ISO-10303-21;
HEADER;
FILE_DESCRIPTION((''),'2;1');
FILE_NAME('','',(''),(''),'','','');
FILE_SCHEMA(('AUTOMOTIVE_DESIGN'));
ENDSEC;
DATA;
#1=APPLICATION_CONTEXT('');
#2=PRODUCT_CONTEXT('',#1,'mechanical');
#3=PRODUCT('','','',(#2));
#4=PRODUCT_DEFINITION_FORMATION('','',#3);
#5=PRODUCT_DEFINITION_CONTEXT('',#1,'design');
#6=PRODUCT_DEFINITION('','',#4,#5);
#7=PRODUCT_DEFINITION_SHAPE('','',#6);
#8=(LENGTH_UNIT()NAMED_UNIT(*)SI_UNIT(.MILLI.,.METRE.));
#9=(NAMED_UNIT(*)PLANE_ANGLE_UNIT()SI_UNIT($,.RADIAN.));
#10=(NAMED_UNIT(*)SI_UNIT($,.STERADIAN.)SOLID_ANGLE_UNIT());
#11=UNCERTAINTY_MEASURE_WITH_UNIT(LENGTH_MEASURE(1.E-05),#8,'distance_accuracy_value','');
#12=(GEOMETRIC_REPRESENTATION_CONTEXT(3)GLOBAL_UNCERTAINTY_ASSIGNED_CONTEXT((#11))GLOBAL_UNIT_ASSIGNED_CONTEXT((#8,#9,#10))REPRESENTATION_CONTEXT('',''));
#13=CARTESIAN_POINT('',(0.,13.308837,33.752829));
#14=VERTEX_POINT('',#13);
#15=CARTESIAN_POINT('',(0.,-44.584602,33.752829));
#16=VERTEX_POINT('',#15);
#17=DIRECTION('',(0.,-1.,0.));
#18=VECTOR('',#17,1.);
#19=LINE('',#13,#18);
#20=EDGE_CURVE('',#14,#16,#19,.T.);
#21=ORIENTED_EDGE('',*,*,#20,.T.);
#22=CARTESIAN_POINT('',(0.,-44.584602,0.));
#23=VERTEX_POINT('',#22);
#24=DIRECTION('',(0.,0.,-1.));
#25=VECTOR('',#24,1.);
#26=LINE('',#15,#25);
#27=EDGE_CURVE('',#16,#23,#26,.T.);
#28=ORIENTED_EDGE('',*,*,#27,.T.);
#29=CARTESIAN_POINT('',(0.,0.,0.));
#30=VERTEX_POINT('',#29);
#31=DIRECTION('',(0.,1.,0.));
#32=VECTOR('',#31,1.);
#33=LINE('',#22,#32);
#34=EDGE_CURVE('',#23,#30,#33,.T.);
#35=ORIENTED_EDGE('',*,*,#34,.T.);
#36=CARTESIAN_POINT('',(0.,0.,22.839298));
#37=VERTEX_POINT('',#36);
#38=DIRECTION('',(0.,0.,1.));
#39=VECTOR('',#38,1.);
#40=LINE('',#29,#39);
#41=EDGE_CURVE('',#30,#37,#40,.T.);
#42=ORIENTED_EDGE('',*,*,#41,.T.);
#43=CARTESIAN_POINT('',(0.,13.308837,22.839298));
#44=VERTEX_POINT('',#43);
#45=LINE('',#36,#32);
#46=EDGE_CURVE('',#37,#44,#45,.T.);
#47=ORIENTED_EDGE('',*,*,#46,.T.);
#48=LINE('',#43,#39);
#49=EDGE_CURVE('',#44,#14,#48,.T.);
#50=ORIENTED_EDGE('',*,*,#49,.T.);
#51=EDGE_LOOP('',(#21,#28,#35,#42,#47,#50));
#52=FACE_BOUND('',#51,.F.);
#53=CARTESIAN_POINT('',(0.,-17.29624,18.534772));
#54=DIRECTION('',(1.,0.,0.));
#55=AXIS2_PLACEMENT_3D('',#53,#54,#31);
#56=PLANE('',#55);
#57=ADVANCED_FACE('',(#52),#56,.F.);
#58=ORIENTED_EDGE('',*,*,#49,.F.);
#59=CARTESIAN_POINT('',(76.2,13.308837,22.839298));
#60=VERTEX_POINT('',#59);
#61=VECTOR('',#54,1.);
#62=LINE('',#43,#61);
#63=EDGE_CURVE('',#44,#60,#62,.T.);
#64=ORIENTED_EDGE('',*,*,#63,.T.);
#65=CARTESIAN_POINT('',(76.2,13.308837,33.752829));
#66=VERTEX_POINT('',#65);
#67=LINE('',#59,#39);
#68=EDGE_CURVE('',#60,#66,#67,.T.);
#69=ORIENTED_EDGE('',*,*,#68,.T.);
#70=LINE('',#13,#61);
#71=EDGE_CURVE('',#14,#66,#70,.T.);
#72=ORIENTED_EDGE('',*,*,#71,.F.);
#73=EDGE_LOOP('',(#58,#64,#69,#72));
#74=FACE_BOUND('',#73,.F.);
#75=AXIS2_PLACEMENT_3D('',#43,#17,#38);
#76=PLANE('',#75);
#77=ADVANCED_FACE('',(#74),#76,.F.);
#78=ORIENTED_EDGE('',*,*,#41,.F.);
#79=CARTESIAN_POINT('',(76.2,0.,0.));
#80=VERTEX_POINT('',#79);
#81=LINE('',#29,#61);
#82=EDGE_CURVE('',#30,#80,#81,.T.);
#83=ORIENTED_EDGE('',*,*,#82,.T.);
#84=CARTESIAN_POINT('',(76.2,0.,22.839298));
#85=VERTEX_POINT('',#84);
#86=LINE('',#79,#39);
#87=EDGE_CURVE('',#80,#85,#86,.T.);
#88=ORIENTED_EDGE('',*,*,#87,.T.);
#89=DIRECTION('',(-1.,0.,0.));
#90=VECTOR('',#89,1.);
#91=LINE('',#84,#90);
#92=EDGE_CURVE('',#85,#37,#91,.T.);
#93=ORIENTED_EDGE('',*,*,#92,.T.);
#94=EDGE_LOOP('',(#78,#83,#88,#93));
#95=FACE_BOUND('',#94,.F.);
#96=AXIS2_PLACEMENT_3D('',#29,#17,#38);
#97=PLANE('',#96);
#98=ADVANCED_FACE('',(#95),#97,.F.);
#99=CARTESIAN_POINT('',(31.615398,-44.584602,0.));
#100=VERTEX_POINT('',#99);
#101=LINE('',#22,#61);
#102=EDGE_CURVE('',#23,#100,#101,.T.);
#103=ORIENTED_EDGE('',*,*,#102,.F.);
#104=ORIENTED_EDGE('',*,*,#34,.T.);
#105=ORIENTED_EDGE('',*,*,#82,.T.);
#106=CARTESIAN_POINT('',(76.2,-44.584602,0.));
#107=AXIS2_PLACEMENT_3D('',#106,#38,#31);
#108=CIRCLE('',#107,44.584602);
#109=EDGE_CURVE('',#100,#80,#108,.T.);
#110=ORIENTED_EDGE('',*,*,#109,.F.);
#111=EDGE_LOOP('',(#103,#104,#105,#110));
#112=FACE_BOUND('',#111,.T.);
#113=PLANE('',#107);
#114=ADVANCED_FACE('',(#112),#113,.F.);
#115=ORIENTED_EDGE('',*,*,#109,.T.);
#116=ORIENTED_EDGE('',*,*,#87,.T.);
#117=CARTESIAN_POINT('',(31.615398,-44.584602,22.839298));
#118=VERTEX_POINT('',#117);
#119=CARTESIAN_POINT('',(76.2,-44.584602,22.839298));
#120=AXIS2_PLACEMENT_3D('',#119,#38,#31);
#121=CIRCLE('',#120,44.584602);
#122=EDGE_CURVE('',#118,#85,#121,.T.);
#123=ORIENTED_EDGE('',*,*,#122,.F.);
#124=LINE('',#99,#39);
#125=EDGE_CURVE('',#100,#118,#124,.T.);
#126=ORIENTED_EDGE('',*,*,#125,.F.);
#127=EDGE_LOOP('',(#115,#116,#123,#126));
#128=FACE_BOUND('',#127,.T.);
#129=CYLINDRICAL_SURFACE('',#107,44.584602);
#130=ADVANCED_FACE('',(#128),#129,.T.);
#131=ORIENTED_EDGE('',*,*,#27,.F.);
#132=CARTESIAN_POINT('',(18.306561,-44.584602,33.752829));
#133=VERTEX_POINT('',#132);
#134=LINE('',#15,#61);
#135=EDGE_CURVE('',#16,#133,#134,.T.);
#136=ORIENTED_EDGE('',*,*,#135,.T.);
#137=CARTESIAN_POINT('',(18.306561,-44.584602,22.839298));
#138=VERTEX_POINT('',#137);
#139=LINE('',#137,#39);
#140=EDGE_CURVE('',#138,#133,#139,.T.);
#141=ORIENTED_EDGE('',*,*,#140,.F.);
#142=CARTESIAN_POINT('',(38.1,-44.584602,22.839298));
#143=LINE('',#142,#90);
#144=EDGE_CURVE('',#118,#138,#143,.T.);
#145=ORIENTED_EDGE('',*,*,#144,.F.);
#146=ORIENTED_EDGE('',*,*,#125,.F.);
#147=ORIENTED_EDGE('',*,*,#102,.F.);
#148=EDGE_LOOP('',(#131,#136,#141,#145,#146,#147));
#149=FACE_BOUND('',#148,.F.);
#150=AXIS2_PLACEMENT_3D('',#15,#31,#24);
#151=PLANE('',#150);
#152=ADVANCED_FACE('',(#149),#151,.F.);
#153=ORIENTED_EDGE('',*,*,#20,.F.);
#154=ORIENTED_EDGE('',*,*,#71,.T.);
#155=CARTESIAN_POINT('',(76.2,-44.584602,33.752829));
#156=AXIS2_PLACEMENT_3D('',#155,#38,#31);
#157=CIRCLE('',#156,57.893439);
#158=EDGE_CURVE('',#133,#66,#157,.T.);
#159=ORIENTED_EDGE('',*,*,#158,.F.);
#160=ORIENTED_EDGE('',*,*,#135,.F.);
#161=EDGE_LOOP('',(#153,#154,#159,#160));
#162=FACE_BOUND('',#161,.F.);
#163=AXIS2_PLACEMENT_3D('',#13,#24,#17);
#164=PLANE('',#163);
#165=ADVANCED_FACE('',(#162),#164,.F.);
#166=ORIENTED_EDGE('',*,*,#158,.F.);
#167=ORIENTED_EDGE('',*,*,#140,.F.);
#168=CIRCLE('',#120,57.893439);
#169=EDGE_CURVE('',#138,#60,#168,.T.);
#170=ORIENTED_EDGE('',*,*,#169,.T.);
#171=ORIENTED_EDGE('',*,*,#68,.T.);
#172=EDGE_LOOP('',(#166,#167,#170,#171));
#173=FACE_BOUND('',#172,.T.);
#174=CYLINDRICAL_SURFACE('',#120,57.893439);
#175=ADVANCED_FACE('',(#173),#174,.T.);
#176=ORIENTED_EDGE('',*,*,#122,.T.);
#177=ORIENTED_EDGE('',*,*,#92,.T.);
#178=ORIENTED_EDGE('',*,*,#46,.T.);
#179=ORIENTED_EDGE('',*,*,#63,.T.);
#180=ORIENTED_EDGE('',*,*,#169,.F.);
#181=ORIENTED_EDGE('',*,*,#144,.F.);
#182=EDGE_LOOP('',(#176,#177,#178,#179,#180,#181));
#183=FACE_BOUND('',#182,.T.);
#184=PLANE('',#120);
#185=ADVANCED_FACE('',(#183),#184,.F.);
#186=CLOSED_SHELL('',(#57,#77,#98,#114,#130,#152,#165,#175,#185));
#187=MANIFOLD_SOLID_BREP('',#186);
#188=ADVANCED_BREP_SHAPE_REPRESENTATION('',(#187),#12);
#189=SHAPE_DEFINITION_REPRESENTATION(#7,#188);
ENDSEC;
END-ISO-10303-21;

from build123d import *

# Parameters (mm, degrees)
F1_DEPTH = 76.2


with BuildPart() as f1:
    # F0 (on Right) → F1 (new body)
    with BuildSketch(Plane.YZ):
        Polygon((-44.5846021175, 0), (0, 0), (0, 22.8392984718), (13.3088370785, 22.8392984718), (13.3088370785, 33.7528288364), (-44.5846021175, 33.7528288364), align=None)
    extrude(amount=F1_DEPTH)

    # F1_face (on face) → F2 (revolve)
    with BuildSketch(Plane(origin=(76.2, -19.7443345701, 17.881602017), x_dir=(0, 1, 0), z_dir=(1, 0, 0))):
        Polygon((-24.8402675474, -17.881602017), (19.7443345701, -17.881602017), (19.7443345701, 4.9576964548), (33.0531716486, 4.9576964548), (33.0531716486, 15.8712268194), (-24.8402675474, 15.8712268194), align=None)
    revolve(axis=Axis((76.2, -44.5846021175, 16.8764144182), (0, 0, 1)))


solid = f1.part
